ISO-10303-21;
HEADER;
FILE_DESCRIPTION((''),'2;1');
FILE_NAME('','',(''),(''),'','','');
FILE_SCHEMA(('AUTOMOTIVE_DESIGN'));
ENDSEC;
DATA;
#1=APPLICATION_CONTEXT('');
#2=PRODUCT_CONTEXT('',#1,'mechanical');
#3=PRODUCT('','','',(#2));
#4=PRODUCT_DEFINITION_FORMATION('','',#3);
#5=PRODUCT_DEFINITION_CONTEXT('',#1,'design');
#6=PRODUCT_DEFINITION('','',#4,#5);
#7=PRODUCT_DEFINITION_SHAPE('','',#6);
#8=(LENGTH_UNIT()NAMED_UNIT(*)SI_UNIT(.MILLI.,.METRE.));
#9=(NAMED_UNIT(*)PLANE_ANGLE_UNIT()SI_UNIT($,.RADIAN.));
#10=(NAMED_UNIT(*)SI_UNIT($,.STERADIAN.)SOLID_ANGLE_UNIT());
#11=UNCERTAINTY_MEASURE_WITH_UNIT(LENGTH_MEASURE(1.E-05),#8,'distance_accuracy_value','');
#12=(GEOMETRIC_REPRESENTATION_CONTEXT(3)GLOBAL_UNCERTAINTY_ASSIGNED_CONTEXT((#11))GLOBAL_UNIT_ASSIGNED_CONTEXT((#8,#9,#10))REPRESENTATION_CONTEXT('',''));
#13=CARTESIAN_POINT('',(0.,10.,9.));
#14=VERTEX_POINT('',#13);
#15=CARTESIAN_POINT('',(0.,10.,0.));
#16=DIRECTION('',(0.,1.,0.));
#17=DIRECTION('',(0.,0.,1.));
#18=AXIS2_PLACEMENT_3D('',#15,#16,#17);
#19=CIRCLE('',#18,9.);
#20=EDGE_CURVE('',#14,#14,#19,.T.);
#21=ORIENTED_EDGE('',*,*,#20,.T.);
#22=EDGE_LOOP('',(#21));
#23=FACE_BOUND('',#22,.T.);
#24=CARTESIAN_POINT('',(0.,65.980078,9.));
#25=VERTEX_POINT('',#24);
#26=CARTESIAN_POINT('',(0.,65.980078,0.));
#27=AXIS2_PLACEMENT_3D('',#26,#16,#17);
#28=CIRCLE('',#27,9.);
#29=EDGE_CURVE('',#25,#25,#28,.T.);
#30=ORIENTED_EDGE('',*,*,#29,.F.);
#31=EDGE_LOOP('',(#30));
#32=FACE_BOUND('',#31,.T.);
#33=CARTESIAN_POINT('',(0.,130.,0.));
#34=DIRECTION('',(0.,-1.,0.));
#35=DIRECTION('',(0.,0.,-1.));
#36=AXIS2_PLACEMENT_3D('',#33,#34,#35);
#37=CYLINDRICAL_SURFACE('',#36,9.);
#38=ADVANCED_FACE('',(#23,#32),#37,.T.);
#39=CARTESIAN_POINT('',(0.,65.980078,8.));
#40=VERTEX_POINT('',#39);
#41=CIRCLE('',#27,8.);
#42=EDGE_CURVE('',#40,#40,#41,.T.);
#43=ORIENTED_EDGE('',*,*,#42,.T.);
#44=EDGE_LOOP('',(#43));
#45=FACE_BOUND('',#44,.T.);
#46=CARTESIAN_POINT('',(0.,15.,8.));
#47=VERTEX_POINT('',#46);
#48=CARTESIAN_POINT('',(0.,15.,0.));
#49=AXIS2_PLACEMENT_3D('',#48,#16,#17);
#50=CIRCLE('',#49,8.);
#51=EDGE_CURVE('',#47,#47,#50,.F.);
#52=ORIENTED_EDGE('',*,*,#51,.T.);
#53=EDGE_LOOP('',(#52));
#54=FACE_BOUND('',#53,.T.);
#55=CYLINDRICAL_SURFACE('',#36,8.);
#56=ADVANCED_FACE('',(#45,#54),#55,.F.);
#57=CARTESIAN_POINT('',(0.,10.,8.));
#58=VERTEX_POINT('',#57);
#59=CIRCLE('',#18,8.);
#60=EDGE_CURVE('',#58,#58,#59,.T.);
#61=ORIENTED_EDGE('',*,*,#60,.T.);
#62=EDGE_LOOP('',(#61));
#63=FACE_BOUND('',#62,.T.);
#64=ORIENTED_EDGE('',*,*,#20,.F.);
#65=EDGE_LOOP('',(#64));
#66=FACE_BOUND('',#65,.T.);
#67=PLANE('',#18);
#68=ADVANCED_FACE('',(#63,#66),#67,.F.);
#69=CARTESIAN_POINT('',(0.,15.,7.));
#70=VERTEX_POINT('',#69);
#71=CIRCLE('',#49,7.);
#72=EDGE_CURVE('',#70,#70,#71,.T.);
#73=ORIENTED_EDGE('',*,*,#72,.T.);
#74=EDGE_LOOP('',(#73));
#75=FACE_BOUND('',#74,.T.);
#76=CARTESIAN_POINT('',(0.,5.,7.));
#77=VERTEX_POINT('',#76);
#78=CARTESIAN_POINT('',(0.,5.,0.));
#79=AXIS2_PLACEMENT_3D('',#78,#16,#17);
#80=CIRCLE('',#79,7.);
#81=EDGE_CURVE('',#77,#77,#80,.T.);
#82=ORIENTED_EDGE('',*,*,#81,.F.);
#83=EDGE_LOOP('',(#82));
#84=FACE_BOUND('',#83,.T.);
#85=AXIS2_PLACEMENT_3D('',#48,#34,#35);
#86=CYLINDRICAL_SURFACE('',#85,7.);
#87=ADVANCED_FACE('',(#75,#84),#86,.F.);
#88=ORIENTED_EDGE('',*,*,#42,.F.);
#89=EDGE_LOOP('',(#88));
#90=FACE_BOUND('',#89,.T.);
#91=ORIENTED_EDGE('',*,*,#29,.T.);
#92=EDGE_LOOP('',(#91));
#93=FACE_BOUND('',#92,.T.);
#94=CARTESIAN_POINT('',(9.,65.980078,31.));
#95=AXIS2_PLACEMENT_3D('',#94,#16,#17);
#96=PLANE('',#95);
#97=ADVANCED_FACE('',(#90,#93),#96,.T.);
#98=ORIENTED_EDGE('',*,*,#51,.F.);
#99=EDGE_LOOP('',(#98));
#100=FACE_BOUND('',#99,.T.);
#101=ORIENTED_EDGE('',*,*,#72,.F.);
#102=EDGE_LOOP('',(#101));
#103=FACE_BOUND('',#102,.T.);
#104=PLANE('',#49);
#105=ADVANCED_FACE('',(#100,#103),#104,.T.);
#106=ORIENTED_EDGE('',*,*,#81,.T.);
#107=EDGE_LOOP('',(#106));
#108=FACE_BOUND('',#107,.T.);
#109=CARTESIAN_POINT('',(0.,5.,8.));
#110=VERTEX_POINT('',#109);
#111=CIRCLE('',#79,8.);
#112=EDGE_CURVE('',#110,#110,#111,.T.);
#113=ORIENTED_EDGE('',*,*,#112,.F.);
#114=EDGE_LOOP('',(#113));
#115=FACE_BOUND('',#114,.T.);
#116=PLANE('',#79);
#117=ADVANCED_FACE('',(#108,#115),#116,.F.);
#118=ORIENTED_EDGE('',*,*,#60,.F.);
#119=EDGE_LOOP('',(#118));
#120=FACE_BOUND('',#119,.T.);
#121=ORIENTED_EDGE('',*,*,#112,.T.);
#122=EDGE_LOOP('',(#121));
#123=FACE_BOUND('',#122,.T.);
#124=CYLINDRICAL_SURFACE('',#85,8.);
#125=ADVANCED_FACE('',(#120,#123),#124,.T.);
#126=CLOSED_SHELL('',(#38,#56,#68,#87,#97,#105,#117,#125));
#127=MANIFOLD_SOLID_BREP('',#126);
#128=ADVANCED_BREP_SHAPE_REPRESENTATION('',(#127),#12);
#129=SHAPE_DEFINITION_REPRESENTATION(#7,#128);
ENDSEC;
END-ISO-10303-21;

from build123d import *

# Parameters (mm, degrees)
SKETCH1_R               = 8
SKETCH1_R_2             = 7
BOSS_EXTRUDE1_DEPTH     = 15
SKETCH2_R               = 9
SKETCH2_R_2             = 8
BOSS_EXTRUDE2_DEPTH     = 120
SKETCH3_R               = 8
SKETCH3_R_2             = 7
CUT_EXTRUDE1_DEPTH      = 5
CUT_EXTRUDE2_DEPTH      = 31
CUT_EXTRUDE2_DEPTH_BACK = 31
SKETCH4_W               = 18
SKETCH4_H               = 40.940584593
CUT_EXTRUDE3_DEPTH      = 31
CUT_EXTRUDE3_DEPTH_BACK = 31
SKETCH5_W               = 18
SKETCH5_H               = 23.079337433


with BuildPart() as part:
    # Sketch1 → Boss-Extrude1 (new body)
    with BuildSketch(Plane(origin=(0, 0, 0), x_dir=(1, 0, 0), z_dir=(0, 1, 0))):
        Circle(SKETCH1_R)
        Circle(SKETCH1_R_2, mode=Mode.SUBTRACT)
    extrude(amount=BOSS_EXTRUDE1_DEPTH)

    # Sketch2 → Boss-Extrude2 (add)
    with BuildSketch(Plane(origin=(0, 10, 0), x_dir=(1, 0, 0), z_dir=(0, 1, 0))):
        Circle(SKETCH2_R)
        Circle(SKETCH2_R_2, mode=Mode.SUBTRACT)
    extrude(amount=BOSS_EXTRUDE2_DEPTH)

    # Sketch3 → Cut-Extrude1 (cut)
    with BuildSketch(Plane(origin=(0, 0, 0), x_dir=(1, 0, 0), z_dir=(0, 1, 0))):
        Circle(SKETCH3_R)
        Circle(SKETCH3_R_2, mode=Mode.SUBTRACT)
    extrude(amount=CUT_EXTRUDE1_DEPTH, mode=Mode.SUBTRACT)

    # Sketch4 → Cut-Extrude2 (cut, two sides: drawn at the far end of the back side and taken through both)
    with BuildSketch(Plane.XY.offset(-CUT_EXTRUDE2_DEPTH_BACK)):
        with Locations((0, 109.529707704)):
            Rectangle(SKETCH4_W, SKETCH4_H)
    extrude(amount=CUT_EXTRUDE2_DEPTH + CUT_EXTRUDE2_DEPTH_BACK, mode=Mode.SUBTRACT)

    # Sketch5 → Cut-Extrude3 (cut, two sides: drawn at the far end of the back side and taken through both)
    with BuildSketch(Plane.XY.offset(-CUT_EXTRUDE3_DEPTH_BACK)):
        with Locations((0, 77.51974669)):
            Rectangle(SKETCH5_W, SKETCH5_H)
    extrude(amount=CUT_EXTRUDE3_DEPTH + CUT_EXTRUDE3_DEPTH_BACK, mode=Mode.SUBTRACT)


solid = part.part
